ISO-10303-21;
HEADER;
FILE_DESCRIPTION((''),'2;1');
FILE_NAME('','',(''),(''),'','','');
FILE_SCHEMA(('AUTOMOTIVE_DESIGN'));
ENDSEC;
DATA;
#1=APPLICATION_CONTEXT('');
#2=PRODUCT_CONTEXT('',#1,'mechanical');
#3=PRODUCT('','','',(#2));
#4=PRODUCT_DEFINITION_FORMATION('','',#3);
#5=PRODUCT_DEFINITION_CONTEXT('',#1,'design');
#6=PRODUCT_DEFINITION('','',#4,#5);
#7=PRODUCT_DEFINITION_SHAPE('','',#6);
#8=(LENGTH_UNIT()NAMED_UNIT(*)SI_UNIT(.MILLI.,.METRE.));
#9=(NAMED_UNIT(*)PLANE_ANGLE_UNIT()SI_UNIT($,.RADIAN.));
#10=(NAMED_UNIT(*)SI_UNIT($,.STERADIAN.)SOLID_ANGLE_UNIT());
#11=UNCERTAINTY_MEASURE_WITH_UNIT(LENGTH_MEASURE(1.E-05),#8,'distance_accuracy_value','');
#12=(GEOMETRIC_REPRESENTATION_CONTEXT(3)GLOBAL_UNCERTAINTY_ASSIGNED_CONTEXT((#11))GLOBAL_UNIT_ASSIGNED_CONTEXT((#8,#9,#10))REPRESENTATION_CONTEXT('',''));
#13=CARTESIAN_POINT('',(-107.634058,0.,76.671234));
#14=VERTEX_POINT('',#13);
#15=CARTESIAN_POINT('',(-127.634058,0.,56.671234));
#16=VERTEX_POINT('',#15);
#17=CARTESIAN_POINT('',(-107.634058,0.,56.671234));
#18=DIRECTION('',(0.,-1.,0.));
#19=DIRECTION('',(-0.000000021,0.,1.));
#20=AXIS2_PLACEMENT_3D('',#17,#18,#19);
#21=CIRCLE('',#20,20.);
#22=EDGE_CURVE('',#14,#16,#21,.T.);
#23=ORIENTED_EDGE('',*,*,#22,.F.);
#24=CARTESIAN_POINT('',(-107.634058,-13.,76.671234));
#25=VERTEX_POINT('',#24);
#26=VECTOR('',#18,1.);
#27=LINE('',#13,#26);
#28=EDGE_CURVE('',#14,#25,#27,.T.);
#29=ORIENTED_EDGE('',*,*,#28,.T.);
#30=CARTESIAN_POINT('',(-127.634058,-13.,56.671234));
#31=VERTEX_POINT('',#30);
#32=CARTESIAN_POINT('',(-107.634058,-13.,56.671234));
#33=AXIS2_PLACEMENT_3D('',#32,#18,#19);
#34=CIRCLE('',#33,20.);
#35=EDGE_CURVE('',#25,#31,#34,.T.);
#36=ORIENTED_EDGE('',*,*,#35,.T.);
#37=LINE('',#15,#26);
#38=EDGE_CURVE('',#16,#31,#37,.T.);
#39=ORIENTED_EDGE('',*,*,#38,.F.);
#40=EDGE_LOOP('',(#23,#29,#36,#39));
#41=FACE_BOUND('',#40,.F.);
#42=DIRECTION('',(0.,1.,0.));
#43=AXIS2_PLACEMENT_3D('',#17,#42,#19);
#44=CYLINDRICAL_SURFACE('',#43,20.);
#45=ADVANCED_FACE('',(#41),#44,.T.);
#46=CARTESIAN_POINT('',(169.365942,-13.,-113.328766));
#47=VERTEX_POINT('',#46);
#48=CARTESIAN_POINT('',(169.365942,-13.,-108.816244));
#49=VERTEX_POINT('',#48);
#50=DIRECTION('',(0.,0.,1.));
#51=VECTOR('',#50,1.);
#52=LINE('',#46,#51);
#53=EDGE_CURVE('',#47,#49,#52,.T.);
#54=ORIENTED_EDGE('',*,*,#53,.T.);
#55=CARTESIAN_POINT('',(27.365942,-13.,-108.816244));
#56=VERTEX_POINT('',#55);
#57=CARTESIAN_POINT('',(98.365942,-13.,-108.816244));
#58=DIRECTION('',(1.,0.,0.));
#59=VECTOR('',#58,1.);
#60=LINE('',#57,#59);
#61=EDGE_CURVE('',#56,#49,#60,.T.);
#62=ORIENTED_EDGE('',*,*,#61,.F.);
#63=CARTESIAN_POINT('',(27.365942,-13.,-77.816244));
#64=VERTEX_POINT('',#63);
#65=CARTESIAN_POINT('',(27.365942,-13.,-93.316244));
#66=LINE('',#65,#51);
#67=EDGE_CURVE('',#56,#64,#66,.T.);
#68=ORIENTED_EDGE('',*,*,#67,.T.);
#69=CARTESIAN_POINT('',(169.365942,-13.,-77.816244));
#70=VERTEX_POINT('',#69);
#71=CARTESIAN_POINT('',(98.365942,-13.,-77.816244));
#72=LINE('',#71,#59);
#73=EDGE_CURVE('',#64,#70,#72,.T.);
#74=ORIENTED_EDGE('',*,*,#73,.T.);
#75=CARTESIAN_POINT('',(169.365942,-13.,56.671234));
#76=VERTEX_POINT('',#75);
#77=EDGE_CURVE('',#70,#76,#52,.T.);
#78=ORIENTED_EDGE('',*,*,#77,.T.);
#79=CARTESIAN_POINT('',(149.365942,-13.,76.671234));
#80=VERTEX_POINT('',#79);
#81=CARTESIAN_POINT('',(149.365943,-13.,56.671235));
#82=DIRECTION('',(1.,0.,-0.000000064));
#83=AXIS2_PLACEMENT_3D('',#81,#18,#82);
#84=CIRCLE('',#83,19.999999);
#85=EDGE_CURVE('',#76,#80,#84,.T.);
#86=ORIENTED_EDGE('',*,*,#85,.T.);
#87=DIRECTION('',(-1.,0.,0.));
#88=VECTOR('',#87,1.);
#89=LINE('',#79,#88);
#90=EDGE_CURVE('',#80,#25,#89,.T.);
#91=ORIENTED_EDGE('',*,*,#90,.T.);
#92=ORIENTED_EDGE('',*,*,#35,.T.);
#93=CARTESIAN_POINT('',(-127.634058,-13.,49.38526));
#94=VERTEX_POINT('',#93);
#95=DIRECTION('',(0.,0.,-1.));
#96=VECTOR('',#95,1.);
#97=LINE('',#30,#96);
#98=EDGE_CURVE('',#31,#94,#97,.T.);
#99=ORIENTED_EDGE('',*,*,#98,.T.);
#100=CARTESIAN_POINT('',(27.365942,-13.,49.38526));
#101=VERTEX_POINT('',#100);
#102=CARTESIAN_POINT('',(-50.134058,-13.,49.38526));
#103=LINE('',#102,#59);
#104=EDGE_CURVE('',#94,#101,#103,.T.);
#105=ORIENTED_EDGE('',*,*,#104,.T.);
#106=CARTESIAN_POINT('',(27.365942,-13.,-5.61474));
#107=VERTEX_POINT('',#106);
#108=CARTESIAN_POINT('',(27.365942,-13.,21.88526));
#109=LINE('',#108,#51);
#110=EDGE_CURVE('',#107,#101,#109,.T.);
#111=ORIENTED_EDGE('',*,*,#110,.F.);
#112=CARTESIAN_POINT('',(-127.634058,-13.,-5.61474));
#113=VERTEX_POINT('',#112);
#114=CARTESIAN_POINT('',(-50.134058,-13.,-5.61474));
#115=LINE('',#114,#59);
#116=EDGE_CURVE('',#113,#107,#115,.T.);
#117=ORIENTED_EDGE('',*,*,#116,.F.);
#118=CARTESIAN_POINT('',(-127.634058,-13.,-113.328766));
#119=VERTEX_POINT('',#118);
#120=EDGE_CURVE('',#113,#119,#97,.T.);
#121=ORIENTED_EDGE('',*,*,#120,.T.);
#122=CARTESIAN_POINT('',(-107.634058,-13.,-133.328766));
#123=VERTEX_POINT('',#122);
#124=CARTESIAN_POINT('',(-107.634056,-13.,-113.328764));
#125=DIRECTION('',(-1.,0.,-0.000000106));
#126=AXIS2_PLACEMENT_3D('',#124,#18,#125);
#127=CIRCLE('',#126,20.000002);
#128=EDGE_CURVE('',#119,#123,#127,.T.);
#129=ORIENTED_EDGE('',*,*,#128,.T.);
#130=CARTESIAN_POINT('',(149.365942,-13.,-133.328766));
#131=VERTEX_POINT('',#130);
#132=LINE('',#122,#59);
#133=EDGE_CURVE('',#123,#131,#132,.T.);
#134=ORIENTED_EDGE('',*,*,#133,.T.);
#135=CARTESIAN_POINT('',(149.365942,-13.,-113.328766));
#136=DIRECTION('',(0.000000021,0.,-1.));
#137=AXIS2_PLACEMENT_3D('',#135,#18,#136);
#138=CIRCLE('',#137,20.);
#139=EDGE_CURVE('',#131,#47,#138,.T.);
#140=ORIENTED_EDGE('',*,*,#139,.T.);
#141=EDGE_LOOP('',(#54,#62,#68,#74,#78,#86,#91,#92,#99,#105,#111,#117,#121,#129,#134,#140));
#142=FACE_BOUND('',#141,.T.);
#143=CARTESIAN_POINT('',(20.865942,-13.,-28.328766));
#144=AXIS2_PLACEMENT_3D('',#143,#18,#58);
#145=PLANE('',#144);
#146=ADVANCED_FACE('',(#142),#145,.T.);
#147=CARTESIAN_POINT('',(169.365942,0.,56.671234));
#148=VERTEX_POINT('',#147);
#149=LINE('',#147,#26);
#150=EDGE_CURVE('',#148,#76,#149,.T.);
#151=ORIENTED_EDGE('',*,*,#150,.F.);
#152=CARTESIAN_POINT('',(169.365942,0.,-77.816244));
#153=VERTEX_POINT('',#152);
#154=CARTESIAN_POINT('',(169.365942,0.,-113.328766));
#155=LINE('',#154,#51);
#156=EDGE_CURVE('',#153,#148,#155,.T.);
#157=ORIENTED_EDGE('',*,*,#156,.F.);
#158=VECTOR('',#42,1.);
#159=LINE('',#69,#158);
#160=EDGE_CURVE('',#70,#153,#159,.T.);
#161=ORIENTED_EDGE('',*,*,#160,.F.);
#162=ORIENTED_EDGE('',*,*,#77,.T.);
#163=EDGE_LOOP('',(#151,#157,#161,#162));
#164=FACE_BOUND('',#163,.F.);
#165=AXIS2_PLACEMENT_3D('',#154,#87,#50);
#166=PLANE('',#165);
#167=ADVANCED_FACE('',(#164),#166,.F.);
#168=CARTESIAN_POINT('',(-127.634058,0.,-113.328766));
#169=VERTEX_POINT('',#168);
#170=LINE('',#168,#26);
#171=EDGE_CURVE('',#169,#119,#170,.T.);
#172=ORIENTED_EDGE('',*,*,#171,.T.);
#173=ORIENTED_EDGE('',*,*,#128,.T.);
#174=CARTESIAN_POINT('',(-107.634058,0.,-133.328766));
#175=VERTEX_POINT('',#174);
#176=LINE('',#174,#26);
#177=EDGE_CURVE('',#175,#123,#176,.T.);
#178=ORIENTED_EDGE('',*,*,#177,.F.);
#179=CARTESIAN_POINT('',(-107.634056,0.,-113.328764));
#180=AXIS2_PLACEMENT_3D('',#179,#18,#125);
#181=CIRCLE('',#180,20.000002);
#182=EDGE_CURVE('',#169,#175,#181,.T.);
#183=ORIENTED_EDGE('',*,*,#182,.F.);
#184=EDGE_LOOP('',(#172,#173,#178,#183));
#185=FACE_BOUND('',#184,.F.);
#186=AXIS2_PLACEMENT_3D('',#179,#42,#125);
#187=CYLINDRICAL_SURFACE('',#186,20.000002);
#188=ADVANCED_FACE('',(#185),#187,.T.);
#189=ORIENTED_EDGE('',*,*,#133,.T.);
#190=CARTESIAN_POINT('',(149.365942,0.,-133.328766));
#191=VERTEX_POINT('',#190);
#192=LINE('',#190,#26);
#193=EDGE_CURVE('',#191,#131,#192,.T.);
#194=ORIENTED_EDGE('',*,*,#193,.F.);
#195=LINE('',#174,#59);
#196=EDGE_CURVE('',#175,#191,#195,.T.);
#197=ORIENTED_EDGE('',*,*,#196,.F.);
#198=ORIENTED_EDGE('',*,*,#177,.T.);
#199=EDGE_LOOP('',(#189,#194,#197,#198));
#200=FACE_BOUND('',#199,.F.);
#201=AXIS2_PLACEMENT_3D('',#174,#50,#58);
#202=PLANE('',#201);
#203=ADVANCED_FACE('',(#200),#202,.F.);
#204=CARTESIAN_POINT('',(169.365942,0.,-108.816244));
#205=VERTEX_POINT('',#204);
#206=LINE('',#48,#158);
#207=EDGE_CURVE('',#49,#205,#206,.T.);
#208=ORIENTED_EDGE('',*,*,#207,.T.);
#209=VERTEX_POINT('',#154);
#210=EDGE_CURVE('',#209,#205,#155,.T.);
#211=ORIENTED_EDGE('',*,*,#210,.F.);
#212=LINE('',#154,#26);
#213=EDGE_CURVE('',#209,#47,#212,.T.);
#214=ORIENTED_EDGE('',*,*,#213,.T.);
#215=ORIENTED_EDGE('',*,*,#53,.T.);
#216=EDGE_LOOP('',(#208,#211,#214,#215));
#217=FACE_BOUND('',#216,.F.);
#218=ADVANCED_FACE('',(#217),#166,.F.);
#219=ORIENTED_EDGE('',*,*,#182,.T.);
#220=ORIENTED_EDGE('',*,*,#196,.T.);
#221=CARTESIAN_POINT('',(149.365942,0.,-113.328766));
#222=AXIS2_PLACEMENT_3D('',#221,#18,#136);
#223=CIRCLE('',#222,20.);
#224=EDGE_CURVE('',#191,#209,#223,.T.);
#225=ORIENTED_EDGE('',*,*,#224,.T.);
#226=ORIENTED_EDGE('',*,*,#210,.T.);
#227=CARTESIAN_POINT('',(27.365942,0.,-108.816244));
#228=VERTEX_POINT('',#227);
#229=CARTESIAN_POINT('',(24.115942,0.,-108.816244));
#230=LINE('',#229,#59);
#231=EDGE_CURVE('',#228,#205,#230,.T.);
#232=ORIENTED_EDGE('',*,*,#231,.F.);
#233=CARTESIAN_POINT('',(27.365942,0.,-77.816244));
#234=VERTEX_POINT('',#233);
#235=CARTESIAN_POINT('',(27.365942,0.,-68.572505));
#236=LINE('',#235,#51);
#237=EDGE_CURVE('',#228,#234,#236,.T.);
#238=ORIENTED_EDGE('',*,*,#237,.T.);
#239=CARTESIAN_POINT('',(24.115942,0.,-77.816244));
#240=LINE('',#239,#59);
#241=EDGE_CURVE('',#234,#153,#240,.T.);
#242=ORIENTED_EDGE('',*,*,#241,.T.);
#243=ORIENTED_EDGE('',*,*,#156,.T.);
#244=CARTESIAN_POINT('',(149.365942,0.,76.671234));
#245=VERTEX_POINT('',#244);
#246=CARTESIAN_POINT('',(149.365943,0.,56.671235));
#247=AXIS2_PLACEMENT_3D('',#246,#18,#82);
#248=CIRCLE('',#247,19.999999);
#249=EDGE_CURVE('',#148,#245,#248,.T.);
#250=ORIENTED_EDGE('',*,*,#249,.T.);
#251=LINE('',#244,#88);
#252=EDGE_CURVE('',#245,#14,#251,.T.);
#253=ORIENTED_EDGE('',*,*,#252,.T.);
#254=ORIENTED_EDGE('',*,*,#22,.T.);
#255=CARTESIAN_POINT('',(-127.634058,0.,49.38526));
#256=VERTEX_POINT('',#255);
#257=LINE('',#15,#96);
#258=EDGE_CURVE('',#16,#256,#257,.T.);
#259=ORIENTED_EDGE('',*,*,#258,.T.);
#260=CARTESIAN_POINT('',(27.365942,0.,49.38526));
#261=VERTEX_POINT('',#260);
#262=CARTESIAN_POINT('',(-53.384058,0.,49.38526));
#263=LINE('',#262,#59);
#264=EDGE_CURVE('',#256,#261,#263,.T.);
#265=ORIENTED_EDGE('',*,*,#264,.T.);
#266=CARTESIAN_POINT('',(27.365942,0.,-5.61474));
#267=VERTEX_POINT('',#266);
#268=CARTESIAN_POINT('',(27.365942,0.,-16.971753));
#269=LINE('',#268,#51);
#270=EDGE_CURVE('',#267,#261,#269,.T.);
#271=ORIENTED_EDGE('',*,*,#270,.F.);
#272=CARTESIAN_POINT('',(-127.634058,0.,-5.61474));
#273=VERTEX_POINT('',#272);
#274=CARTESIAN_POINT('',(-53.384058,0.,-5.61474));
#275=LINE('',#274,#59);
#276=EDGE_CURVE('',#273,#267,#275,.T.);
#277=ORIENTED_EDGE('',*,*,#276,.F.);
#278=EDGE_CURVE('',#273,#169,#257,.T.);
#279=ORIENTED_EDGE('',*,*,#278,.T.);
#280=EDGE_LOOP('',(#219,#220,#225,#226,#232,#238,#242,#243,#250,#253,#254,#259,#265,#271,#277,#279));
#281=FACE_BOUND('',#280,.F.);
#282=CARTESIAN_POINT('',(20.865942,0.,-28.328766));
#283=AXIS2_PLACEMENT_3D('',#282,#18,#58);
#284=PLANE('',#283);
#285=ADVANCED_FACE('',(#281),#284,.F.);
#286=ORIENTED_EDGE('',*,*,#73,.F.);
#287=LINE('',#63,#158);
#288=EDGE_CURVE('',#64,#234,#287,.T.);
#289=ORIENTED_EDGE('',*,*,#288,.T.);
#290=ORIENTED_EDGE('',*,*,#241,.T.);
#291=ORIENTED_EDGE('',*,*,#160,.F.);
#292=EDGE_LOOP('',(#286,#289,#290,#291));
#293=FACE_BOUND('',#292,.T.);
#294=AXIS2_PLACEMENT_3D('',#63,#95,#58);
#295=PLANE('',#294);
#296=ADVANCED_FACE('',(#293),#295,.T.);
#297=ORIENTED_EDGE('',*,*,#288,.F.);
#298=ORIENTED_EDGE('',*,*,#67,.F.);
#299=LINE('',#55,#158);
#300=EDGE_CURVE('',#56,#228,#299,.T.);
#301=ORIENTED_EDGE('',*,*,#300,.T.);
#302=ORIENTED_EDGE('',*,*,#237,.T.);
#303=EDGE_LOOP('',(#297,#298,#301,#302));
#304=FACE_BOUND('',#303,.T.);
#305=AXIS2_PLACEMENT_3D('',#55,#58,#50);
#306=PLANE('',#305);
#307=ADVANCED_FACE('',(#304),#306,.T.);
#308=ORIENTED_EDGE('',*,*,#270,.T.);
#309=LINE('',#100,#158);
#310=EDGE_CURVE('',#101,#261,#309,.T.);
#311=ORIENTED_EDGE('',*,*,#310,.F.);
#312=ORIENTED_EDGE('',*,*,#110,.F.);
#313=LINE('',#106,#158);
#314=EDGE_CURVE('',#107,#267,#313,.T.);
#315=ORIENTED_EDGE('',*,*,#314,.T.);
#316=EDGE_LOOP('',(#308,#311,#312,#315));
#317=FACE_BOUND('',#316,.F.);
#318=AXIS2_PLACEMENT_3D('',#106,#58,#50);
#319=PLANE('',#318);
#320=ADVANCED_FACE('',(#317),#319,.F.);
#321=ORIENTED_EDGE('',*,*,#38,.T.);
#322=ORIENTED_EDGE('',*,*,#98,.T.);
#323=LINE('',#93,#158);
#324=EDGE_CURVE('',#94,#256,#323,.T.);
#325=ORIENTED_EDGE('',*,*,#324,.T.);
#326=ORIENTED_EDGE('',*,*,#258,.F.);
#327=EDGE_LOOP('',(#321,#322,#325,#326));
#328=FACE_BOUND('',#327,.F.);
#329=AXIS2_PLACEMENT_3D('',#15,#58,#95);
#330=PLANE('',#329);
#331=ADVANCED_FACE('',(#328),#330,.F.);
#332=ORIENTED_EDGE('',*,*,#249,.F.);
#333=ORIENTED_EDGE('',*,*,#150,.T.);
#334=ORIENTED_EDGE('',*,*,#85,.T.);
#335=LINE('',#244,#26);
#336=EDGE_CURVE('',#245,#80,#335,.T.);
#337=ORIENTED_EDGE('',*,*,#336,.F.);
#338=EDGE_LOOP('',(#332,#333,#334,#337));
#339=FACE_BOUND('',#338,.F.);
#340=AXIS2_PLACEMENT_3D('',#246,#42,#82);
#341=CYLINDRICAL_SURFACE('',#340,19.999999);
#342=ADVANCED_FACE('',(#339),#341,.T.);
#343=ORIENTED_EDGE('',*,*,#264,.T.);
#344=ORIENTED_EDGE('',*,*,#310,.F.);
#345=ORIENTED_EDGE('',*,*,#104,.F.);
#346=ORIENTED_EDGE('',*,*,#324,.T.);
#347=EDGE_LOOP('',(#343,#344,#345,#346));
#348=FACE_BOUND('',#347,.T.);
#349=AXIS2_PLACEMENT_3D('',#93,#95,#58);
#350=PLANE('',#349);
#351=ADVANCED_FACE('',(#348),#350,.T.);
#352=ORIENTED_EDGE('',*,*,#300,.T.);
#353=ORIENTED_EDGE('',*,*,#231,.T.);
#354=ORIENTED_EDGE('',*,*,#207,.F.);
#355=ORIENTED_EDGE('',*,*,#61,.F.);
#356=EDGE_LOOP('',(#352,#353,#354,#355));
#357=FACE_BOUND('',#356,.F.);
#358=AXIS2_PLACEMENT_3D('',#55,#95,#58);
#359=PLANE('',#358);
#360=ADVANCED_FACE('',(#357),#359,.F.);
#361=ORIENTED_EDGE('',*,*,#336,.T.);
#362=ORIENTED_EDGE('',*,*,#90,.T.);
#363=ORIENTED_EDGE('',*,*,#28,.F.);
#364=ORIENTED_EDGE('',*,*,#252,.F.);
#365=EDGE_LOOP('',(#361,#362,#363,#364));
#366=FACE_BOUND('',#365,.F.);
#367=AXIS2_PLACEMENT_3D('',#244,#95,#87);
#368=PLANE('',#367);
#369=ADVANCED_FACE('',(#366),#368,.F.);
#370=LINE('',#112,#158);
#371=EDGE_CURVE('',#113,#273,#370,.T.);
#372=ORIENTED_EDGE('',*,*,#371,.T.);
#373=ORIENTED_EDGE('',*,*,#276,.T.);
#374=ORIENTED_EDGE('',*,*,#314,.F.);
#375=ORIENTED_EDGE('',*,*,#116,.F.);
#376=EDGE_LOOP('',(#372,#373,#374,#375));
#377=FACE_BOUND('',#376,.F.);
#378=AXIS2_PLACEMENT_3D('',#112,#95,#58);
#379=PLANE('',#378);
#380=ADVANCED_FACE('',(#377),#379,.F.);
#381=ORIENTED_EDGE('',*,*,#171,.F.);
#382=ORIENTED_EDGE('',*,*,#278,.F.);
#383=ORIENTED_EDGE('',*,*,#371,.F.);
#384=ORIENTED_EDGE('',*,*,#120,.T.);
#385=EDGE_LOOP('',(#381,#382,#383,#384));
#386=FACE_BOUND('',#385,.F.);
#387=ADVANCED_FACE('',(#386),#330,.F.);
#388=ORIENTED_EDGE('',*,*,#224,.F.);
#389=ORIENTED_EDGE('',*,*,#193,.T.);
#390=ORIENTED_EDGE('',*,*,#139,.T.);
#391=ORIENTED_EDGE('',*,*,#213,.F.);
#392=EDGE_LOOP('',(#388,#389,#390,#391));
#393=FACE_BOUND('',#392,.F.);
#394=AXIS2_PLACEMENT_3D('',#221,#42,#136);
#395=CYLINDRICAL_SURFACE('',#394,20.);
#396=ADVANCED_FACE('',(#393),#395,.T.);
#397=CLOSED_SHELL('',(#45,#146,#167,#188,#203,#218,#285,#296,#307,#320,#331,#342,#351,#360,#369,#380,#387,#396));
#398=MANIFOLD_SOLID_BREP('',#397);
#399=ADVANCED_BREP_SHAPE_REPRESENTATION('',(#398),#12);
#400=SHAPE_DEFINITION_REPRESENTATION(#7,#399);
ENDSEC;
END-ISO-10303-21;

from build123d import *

# Parameters (mm, degrees)
F1_DEPTH = 13
F2_W     = 142
F2_H     = 31
F2_W_2   = 155
F2_H_2   = 55
F3_DEPTH = 25


with BuildPart() as f1:
    # F0 (on Front) → F1 (new body)
    with BuildSketch(Plane.XZ):
        with BuildLine():
            Line((149.365942, 76.671234), (-107.634058, 76.671234))
            ThreePointArc((-107.634058, 76.671234), (-121.776193, 70.81337), (-127.634058, 56.671234))
            Line((-127.634058, 56.671234), (-127.634058, -113.328766))
            ThreePointArc((-127.634058, -113.328766), (-121.776193, -127.470901), (-107.634058, -133.328766))
            Line((-107.634058, -133.328766), (149.365942, -133.328766))
            ThreePointArc((149.365942, -133.328766), (163.508078, -127.470901), (169.365942, -113.328766))
            Line((169.365942, -113.328766), (169.365942, 56.671234))
            ThreePointArc((169.365942, 56.671234), (163.508078, 70.81337), (149.365942, 76.671234))
        make_face()
    extrude(amount=F1_DEPTH)

    # F2 (on face) → F3 (cut)
    with BuildSketch(Plane.XZ.offset(13)):
        with Locations((98.365942, -93.316244)):
            Rectangle(F2_W, F2_H)
        with Locations((-50.134058, 21.88526)):
            Rectangle(F2_W_2, F2_H_2)
    extrude(amount=-F3_DEPTH, mode=Mode.SUBTRACT)


solid = f1.part
